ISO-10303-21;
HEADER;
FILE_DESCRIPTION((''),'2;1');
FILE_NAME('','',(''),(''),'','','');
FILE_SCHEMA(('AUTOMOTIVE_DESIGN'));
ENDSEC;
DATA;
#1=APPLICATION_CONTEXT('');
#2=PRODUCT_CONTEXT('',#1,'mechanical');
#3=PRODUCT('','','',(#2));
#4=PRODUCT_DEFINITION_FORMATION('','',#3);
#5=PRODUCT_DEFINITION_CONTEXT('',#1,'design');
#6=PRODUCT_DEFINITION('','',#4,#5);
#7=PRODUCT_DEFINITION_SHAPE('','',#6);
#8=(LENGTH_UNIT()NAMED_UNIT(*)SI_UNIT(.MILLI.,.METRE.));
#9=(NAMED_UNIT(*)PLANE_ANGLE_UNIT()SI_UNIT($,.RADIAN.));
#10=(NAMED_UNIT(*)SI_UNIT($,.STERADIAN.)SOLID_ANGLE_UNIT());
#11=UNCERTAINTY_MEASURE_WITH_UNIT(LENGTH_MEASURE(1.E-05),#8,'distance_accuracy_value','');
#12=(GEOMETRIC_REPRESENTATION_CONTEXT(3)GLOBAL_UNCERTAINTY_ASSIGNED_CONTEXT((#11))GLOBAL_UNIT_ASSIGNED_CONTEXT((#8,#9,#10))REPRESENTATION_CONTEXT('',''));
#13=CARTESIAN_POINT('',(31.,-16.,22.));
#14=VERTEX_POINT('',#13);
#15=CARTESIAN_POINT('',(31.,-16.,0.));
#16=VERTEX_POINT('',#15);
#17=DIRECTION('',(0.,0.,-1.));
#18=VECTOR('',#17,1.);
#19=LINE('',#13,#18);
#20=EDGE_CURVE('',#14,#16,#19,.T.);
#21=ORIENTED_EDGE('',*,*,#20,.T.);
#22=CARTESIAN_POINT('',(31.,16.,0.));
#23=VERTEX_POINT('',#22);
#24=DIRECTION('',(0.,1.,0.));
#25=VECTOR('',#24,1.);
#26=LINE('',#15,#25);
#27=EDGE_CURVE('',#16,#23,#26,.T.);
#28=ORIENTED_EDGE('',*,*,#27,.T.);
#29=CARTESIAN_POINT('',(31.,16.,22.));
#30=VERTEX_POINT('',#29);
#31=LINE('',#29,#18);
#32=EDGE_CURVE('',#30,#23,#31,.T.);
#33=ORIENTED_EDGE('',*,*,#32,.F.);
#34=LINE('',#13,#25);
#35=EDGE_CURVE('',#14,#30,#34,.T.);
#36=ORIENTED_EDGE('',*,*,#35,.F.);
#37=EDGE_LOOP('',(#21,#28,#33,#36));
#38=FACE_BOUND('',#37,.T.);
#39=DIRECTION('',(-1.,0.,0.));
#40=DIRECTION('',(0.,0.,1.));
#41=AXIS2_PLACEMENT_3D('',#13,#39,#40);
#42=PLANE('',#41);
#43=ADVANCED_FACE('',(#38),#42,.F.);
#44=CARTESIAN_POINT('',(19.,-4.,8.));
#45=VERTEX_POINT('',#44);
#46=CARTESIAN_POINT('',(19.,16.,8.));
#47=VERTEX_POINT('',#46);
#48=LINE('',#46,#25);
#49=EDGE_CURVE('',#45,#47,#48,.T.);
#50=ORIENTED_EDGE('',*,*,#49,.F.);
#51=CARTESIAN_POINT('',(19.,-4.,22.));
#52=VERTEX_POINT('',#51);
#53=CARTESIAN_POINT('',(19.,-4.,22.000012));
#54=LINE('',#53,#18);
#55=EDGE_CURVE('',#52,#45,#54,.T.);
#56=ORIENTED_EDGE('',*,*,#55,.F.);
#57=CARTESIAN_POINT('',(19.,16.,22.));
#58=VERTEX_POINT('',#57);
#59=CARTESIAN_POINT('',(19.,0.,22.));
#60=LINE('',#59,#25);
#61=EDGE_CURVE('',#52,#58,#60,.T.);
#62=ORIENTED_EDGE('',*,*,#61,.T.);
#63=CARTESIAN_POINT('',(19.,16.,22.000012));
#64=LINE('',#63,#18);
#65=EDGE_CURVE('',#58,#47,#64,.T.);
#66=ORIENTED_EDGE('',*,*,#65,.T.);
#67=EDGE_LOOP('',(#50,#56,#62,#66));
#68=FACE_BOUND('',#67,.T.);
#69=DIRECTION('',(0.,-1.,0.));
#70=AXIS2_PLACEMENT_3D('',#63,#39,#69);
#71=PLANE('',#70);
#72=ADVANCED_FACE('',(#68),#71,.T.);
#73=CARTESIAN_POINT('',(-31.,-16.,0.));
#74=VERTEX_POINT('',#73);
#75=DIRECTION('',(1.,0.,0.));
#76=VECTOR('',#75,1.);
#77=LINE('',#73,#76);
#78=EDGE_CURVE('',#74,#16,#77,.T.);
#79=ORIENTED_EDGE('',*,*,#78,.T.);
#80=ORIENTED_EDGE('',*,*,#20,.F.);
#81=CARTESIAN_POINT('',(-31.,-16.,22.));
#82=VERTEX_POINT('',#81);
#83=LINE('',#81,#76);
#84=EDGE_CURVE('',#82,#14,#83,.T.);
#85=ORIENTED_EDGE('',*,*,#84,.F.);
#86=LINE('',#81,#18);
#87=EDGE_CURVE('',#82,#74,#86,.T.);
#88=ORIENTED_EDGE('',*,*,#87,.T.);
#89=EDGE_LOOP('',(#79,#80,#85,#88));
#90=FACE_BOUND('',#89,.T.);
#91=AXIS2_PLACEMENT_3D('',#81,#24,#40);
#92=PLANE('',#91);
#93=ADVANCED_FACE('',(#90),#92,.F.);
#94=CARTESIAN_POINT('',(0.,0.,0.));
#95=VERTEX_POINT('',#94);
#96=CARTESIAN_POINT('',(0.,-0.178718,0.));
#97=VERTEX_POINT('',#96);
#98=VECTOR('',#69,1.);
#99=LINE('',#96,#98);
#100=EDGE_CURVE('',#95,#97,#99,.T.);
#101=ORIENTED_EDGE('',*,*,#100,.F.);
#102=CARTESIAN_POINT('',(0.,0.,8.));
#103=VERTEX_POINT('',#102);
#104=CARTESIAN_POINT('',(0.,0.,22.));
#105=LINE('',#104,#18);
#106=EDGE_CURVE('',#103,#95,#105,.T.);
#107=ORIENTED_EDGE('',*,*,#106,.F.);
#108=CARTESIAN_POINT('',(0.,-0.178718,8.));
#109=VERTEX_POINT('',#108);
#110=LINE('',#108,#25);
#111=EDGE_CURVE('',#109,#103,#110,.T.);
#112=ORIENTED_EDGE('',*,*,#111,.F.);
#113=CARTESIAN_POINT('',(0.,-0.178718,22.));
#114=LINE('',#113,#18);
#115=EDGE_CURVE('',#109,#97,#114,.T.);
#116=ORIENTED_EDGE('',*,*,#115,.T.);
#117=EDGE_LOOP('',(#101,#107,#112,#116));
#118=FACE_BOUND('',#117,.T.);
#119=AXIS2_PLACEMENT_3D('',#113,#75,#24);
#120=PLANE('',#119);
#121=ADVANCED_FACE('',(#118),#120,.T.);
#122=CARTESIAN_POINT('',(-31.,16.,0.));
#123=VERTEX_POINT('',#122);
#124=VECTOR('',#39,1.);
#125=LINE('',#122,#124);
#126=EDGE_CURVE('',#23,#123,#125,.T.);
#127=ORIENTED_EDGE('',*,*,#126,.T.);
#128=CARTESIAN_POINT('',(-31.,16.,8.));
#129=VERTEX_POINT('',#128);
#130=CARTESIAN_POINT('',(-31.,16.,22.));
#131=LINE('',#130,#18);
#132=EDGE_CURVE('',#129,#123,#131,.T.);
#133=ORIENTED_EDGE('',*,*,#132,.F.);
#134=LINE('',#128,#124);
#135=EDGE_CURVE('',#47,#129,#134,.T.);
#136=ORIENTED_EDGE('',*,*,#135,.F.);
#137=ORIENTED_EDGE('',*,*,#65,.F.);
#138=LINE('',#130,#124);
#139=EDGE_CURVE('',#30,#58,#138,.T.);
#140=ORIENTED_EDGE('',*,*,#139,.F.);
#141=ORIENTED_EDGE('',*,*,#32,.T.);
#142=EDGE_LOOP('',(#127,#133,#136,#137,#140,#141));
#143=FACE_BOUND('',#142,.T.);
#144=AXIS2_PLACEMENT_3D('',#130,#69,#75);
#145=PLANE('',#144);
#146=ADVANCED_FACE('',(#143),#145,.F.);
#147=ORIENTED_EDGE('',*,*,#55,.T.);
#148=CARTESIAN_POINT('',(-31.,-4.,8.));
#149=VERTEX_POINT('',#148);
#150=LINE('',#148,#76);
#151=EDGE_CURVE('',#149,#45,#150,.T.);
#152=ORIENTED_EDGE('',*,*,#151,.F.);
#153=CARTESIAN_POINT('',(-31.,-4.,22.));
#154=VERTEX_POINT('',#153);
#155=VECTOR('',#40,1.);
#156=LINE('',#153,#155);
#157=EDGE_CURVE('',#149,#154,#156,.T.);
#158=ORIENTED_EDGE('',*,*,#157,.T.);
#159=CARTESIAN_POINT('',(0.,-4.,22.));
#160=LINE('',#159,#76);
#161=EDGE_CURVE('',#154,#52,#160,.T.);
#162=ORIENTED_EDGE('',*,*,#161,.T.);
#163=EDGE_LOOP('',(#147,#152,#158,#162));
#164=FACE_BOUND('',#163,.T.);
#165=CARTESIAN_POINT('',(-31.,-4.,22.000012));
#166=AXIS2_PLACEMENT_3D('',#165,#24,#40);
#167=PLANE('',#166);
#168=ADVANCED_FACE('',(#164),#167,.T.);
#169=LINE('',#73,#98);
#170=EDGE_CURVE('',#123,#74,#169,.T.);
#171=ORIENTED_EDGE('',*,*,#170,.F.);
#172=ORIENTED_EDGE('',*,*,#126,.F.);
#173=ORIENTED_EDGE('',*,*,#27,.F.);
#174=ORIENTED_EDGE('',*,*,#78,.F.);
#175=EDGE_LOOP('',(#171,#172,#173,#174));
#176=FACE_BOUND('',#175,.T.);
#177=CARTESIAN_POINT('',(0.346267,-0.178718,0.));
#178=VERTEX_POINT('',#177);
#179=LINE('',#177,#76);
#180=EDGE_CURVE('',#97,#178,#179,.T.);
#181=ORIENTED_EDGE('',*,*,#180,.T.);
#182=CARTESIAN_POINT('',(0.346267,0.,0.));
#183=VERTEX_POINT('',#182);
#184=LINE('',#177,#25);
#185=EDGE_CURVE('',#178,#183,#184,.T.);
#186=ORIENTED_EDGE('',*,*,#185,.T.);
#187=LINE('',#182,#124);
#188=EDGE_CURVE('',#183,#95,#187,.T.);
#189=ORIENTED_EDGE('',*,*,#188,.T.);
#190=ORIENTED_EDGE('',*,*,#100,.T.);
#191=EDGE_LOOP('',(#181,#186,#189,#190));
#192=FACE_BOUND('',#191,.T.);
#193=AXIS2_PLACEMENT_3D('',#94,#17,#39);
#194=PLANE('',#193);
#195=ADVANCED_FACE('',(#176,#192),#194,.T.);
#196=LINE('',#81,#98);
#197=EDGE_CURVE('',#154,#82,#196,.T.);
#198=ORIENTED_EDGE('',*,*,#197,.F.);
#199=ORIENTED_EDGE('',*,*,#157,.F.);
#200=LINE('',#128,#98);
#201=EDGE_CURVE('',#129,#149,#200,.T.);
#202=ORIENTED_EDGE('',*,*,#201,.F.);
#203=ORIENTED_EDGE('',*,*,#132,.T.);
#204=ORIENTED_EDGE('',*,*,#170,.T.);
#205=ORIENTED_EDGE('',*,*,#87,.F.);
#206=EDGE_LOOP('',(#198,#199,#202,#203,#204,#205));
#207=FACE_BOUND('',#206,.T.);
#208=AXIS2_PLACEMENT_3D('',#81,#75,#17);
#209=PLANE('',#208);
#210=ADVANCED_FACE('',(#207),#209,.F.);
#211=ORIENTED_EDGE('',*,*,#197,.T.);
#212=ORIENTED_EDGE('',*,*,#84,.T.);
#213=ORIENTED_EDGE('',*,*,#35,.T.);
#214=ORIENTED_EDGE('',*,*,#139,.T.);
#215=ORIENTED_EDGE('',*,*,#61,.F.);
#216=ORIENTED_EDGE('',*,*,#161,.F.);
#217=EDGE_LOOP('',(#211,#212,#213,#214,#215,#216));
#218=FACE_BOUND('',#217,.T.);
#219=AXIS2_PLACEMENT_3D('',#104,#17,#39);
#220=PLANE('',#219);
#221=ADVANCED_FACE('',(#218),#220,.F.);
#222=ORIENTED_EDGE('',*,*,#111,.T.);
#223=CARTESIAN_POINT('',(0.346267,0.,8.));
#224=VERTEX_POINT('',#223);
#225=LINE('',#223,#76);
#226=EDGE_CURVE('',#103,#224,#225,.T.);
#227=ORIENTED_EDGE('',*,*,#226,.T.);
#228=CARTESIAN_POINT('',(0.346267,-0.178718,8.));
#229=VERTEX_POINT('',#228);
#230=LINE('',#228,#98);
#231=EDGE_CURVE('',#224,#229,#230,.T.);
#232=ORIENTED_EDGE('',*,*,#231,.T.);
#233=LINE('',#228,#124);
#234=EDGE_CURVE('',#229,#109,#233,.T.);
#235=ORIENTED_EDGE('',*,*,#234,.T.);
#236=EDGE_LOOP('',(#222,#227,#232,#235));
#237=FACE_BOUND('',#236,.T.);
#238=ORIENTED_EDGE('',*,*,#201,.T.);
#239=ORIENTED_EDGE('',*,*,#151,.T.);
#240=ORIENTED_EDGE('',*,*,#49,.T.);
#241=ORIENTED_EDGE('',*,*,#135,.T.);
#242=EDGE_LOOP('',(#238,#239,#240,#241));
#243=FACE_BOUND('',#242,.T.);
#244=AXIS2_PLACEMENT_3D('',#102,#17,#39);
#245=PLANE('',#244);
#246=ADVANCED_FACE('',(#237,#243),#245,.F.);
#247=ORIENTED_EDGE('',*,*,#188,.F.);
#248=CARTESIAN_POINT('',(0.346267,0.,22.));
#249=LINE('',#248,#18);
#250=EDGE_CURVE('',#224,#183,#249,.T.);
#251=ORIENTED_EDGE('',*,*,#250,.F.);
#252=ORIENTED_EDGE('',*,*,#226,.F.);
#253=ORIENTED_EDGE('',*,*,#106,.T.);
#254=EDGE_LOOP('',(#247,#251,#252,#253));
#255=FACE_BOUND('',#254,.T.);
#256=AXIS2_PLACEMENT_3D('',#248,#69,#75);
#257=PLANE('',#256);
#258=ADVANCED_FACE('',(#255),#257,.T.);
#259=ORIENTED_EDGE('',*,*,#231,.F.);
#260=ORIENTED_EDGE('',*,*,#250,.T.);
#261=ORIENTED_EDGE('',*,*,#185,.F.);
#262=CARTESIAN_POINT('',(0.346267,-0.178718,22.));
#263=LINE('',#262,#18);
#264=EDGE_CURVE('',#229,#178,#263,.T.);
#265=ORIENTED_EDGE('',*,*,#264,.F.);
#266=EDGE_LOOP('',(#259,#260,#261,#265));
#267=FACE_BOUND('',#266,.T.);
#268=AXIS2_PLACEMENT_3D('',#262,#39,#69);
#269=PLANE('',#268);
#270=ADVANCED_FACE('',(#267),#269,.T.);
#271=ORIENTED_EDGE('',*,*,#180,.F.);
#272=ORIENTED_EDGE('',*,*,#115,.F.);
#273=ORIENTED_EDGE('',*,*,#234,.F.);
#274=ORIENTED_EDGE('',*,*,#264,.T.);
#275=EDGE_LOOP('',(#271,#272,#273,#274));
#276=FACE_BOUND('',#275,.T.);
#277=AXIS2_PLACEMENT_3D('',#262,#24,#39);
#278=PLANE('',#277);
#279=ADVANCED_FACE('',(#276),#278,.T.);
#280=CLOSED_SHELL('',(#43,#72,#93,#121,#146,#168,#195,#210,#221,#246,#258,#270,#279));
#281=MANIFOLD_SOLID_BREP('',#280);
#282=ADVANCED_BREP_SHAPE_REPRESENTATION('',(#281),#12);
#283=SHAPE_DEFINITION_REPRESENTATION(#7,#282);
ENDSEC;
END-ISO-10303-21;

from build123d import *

# Parameters (mm, degrees)
ESBO_O1_W                  = 62
ESBO_O1_H                  = 32
ESBO_O1_W_2                = 0.346266541
ESBO_O1_H_2                = 0.178718215
RESSALTO_EXTRUS_O1_DEPTH   = 22
CORTE_EXTRUS_O4_DEPTH      = 42.243181255
CORTE_EXTRUS_O4_DEPTH_BACK = 14
ESBO_O2_W                  = 50
ESBO_O2_H                  = 20


with BuildPart() as part:
    # Esboço1 → Ressalto-extrusão1 (new body)
    with BuildSketch(Plane.XY):
        Rectangle(ESBO_O1_W, ESBO_O1_H)
        with Locations((0.173133271, -0.089359108)):
            Rectangle(ESBO_O1_W_2, ESBO_O1_H_2, mode=Mode.SUBTRACT)
    extrude(amount=RESSALTO_EXTRUS_O1_DEPTH)

    # Esboço2 → Corte-extrusão4 (cut, two sides: drawn at the far end of the back side and taken through both)
    with BuildSketch(Plane.XY.offset(22).offset(-CORTE_EXTRUS_O4_DEPTH_BACK)):
        with Locations((-6, 6)):
            Rectangle(ESBO_O2_W, ESBO_O2_H)
    extrude(amount=CORTE_EXTRUS_O4_DEPTH + CORTE_EXTRUS_O4_DEPTH_BACK, mode=Mode.SUBTRACT)


solid = part.part
